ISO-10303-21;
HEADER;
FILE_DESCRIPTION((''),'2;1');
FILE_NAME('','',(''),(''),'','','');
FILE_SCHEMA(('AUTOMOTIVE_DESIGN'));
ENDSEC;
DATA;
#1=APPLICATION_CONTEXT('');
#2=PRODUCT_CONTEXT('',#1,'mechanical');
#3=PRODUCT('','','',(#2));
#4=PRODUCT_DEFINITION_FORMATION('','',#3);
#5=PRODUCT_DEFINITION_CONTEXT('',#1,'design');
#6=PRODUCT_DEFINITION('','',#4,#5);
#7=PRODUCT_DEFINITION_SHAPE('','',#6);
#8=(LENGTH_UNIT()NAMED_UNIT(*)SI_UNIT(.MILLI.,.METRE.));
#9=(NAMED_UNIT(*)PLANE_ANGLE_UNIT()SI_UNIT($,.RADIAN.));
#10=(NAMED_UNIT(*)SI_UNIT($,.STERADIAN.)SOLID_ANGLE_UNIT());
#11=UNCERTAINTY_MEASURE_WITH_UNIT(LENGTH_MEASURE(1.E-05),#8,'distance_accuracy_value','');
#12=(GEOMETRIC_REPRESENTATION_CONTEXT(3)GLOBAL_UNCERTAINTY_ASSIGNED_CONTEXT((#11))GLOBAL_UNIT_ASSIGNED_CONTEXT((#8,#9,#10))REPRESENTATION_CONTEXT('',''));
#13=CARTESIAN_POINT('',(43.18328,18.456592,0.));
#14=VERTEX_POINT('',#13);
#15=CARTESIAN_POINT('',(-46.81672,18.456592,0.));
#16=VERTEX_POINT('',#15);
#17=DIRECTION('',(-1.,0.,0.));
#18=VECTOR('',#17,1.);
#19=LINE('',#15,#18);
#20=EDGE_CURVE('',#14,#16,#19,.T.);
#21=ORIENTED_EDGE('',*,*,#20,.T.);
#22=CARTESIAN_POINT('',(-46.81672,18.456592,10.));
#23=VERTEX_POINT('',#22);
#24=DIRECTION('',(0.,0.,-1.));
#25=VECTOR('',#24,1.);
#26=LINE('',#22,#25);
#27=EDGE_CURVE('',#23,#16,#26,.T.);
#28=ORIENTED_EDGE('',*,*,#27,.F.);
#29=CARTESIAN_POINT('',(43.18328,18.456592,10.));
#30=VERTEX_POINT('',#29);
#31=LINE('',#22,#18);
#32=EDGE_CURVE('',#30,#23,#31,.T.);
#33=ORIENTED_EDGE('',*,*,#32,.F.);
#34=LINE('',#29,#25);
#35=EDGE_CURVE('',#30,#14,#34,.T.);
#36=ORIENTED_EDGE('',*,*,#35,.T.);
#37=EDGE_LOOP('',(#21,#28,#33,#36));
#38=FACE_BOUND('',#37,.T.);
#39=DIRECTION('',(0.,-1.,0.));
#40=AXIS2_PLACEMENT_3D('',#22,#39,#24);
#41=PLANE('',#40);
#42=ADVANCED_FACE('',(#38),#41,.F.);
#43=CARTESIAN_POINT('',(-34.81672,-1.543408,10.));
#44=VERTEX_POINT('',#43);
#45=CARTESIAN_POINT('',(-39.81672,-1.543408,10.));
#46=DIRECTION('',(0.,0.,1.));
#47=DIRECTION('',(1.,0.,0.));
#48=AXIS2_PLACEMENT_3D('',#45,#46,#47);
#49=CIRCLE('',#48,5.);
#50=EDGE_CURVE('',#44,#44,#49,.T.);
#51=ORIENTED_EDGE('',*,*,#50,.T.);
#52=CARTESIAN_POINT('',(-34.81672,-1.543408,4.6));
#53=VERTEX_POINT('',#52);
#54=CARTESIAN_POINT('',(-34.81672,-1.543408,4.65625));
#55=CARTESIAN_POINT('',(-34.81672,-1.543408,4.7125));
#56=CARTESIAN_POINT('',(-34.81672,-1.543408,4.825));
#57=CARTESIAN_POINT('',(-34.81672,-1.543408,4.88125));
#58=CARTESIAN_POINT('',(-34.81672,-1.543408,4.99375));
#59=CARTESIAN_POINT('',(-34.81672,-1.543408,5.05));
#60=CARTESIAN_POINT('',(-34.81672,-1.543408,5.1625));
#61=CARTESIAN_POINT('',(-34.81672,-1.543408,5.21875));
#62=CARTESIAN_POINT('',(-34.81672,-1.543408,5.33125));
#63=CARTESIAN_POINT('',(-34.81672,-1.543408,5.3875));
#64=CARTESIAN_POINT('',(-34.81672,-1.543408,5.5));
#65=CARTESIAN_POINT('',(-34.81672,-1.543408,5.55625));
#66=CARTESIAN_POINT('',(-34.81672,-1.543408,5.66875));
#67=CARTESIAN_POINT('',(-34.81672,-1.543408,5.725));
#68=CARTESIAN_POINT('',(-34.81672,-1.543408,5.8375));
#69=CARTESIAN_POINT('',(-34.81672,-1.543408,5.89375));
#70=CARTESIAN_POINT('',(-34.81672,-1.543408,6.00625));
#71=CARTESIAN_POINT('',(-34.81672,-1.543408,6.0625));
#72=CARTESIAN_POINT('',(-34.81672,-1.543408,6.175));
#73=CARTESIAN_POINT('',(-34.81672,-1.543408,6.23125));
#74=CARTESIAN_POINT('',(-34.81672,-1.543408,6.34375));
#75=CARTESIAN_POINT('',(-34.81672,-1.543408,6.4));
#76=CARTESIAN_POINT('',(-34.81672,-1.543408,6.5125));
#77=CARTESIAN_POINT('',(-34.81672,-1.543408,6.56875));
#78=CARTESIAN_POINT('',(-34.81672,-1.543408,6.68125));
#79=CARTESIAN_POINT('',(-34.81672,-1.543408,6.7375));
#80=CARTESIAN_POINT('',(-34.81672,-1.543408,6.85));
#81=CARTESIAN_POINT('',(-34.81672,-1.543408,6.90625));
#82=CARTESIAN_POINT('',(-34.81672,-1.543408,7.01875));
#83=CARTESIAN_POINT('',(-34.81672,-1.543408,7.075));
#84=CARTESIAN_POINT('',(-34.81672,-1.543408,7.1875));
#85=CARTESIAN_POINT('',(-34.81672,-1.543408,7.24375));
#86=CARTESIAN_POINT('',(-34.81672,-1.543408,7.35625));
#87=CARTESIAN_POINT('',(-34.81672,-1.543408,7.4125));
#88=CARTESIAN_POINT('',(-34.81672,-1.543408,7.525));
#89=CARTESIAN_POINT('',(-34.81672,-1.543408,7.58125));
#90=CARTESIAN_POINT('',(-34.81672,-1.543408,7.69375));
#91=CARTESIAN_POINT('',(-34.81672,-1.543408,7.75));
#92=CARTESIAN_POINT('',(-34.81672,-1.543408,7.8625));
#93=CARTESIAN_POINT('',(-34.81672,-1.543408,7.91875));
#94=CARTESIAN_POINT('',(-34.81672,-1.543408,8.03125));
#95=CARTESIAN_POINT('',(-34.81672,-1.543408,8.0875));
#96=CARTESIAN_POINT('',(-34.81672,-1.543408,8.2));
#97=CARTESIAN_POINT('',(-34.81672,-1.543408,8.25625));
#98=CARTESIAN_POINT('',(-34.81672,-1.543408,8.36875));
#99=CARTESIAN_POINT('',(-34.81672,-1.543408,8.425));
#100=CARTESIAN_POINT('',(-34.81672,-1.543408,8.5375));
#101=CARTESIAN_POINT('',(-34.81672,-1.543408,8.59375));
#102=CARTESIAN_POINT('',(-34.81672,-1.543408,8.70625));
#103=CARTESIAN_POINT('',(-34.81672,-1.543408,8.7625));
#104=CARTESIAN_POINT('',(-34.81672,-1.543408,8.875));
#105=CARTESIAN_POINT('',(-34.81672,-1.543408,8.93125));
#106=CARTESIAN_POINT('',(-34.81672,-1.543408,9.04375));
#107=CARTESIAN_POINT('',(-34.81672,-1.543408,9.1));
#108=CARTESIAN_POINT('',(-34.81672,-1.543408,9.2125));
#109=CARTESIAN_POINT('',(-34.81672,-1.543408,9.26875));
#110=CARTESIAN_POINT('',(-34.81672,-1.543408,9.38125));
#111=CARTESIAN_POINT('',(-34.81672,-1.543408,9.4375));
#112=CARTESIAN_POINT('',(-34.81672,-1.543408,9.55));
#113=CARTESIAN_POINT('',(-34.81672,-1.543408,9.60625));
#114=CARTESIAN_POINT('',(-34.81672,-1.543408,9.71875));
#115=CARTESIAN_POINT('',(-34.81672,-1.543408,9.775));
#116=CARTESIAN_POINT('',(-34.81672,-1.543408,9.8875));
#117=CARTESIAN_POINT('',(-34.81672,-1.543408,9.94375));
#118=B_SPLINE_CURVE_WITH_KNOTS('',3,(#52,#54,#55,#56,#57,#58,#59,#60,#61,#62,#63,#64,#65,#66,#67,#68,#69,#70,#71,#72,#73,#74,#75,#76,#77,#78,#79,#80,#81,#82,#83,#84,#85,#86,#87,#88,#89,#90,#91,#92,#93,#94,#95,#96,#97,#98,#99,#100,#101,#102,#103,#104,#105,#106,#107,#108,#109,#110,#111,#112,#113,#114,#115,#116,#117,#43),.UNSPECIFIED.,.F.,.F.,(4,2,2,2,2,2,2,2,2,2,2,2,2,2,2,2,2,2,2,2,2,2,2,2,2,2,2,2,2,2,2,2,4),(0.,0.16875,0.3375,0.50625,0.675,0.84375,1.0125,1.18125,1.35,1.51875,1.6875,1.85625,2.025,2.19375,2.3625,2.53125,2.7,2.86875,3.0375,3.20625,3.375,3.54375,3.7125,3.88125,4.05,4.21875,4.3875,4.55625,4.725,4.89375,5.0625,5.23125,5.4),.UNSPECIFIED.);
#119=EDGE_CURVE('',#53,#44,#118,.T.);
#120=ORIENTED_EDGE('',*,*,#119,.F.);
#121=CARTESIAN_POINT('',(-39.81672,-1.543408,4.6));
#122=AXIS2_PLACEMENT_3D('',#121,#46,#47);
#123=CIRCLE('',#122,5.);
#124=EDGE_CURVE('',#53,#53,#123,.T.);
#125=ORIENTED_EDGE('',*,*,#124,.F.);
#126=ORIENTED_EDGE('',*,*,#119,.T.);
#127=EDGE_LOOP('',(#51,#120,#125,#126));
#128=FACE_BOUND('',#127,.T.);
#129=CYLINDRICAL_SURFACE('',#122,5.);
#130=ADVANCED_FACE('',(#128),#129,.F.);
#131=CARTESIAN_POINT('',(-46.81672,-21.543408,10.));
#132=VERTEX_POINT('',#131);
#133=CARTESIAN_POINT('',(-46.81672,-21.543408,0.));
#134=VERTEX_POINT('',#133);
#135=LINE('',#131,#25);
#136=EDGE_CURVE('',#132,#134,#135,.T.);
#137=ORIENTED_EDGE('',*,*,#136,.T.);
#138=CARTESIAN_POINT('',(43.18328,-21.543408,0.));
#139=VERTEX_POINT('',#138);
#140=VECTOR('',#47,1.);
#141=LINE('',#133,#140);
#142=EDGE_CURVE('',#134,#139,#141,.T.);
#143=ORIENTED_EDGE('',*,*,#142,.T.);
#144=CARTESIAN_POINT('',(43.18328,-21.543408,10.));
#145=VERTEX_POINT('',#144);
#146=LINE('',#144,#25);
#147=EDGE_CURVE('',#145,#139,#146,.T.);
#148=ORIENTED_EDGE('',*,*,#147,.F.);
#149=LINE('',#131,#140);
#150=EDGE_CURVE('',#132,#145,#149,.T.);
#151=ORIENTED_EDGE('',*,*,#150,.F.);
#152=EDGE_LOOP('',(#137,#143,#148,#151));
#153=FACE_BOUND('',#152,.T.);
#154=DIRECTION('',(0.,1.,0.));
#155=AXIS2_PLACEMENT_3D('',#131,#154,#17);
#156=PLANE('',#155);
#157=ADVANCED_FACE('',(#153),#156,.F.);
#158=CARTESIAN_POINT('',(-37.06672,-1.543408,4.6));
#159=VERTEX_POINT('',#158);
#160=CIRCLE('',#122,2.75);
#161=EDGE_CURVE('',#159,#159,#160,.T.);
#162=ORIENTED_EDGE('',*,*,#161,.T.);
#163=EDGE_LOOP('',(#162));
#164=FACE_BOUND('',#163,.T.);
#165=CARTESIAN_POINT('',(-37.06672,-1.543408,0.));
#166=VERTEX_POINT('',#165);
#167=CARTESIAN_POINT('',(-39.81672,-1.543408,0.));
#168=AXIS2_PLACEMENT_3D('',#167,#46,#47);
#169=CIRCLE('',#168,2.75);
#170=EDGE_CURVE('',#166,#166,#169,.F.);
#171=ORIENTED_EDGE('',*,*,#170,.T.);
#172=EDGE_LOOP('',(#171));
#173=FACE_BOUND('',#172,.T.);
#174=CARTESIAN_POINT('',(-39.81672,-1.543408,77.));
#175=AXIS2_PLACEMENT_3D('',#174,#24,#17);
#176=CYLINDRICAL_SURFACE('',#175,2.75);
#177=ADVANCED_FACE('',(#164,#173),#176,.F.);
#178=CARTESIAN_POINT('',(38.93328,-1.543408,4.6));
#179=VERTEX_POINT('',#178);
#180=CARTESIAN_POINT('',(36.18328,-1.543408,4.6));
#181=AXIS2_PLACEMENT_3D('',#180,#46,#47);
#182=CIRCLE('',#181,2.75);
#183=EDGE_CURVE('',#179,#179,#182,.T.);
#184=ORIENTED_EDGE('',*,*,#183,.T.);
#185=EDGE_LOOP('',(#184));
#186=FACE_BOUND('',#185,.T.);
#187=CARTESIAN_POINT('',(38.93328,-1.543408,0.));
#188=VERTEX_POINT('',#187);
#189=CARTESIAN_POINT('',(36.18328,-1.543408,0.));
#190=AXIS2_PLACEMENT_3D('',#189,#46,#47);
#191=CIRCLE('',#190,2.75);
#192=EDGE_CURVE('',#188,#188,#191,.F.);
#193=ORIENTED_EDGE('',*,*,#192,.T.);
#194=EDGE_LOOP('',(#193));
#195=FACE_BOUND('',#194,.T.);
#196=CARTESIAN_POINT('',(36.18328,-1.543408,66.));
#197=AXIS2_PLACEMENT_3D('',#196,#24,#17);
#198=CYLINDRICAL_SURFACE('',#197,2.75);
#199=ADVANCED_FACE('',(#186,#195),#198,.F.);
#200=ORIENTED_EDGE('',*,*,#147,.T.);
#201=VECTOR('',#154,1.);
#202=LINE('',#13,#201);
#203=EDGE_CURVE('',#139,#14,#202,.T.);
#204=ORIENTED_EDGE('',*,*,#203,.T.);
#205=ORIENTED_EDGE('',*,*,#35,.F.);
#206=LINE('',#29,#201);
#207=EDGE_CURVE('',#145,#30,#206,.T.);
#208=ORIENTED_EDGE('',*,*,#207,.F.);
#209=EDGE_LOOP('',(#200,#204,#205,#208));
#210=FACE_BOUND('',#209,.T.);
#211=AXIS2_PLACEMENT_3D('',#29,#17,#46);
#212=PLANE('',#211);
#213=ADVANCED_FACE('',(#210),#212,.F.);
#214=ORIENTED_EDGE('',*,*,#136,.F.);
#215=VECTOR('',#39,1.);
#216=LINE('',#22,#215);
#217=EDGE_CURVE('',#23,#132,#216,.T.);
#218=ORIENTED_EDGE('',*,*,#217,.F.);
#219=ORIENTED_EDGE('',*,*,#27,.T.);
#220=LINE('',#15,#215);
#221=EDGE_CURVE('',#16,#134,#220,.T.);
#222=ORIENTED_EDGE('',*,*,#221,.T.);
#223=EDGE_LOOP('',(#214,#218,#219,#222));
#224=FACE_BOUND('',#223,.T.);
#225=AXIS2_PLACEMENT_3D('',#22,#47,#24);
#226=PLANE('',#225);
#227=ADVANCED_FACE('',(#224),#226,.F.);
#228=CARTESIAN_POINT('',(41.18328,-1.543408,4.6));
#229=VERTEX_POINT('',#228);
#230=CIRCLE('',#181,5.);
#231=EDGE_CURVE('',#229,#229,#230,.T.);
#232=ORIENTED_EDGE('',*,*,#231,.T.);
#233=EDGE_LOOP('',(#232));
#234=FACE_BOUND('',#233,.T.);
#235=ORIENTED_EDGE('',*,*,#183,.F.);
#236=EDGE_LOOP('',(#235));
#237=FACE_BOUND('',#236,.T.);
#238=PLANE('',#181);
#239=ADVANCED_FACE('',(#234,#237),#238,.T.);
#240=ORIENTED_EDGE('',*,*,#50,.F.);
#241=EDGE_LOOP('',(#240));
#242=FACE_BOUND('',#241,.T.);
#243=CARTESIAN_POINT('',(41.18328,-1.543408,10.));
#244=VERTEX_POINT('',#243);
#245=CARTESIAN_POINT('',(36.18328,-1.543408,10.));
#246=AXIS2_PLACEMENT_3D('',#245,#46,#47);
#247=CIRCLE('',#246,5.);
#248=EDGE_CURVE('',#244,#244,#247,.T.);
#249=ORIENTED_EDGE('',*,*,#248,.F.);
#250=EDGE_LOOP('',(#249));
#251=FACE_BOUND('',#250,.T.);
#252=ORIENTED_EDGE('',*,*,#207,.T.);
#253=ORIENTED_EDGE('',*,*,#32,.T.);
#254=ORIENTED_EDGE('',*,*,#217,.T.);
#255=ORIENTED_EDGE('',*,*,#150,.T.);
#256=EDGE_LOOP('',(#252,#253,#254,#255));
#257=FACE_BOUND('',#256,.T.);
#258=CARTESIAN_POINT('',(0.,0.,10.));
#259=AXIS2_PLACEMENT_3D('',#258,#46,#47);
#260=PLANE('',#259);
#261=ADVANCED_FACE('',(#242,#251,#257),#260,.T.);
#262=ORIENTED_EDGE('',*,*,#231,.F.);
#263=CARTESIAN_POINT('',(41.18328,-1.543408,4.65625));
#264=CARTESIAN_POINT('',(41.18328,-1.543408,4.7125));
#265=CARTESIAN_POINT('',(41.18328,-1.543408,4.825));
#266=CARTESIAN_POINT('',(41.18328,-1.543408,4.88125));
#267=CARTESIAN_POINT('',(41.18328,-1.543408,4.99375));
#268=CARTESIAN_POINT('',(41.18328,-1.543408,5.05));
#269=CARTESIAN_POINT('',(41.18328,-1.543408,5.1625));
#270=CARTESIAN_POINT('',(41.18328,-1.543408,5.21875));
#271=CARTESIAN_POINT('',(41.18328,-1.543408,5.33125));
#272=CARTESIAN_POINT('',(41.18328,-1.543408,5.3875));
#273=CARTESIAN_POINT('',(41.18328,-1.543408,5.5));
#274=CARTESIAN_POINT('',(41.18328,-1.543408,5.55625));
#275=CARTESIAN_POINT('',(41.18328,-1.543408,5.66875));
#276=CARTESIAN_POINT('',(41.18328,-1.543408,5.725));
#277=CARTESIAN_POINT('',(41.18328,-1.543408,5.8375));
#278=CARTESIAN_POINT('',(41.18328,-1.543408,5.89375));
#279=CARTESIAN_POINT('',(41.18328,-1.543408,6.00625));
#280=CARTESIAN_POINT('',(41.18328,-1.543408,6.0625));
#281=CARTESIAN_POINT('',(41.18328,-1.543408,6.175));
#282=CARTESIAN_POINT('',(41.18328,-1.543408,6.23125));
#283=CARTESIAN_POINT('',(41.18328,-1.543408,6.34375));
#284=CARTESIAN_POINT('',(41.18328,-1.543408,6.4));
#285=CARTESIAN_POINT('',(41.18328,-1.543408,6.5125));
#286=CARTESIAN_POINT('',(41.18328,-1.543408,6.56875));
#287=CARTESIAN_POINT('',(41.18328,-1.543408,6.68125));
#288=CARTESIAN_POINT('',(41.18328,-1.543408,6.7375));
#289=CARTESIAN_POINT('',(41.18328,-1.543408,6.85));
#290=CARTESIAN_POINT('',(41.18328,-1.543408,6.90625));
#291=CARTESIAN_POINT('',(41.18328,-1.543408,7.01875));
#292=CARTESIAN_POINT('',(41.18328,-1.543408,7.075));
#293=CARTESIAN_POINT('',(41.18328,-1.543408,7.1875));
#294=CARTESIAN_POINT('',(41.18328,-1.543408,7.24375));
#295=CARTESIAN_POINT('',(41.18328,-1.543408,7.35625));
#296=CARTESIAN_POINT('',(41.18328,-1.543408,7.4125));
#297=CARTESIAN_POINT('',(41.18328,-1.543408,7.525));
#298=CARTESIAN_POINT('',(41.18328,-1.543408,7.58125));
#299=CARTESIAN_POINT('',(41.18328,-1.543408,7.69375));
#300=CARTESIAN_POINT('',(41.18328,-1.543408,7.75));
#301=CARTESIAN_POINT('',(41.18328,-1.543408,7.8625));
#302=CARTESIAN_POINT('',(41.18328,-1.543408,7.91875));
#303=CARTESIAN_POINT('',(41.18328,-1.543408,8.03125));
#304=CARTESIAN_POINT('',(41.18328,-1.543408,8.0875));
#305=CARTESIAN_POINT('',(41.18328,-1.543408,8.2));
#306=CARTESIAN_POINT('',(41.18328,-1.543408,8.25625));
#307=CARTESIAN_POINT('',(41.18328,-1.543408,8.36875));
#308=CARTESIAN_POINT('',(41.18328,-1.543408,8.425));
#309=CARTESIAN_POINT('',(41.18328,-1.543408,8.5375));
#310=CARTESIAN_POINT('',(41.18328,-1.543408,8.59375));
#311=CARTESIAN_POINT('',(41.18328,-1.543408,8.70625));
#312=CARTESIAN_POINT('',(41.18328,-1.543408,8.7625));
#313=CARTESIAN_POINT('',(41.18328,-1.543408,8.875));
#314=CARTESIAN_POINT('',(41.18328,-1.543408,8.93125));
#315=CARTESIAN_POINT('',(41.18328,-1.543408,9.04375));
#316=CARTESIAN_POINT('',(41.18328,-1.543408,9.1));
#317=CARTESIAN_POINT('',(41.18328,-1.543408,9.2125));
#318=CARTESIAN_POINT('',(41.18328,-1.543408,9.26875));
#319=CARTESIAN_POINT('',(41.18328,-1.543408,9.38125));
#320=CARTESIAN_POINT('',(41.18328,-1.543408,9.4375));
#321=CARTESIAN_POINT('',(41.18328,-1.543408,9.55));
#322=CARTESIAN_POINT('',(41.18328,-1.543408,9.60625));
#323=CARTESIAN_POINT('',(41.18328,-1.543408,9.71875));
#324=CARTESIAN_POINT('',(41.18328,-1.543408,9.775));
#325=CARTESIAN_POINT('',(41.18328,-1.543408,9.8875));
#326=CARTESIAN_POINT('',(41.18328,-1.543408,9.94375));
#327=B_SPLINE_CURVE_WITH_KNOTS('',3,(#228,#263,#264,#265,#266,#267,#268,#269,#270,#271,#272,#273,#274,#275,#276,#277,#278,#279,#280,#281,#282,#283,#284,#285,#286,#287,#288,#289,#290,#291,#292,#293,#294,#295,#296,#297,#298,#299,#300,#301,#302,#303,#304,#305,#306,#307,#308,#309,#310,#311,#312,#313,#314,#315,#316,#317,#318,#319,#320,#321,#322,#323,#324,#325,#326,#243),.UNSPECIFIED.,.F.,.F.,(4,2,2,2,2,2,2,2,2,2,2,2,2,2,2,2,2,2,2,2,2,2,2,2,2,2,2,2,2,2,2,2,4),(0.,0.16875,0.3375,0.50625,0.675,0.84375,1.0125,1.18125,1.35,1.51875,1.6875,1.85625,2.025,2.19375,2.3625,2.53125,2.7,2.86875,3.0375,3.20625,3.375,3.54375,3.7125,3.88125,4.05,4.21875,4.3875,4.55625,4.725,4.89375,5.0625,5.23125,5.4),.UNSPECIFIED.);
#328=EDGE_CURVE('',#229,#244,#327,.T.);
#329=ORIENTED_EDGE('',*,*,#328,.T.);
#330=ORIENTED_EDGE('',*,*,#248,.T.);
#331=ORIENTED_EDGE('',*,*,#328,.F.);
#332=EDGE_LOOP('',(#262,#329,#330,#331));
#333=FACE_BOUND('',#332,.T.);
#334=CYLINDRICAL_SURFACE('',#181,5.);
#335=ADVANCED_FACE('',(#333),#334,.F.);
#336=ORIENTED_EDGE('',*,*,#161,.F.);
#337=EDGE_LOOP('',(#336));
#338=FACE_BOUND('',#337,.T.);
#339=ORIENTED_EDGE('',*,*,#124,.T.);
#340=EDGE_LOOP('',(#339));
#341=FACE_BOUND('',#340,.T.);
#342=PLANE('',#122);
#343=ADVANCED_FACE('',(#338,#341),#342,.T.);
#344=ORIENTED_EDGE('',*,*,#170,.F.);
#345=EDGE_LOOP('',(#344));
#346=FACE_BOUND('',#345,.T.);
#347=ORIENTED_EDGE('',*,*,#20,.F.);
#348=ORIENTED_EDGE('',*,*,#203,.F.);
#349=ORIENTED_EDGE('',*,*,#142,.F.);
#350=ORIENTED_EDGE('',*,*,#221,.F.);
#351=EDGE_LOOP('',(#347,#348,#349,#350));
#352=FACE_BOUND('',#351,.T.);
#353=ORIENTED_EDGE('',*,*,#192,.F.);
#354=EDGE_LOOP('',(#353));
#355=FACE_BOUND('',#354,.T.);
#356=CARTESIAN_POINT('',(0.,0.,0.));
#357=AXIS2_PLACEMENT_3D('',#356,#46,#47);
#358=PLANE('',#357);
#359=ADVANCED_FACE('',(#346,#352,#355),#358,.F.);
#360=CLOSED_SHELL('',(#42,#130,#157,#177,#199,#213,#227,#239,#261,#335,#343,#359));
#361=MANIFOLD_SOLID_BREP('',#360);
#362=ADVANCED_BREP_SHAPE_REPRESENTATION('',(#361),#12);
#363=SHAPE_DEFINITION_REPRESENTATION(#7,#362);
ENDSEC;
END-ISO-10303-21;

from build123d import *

# Parameters (mm, degrees)
SKETCH1_W               = 90
SKETCH1_H               = 40
BOSS_EXTRUDE1_DEPTH     = 10
CUT_EXTRUDE1_DEPTH      = 67
CUT_EXTRUDE1_DEPTH_BACK = 33
SKETCH2_R               = 2.75
CUT_EXTRUDE2_DEPTH      = 56
CUT_EXTRUDE2_DEPTH_BACK = 35
SKETCH2_4_R             = 2.75
SKETCH2_5_R             = 5
CUT_EXTRUDE3_DEPTH      = 5.4
SKETCH2_6_R             = 5
CUT_EXTRUDE4_DEPTH      = 5.4


with BuildPart() as part:
    # Sketch1 → Boss-Extrude1 (new body)
    with BuildSketch(Plane.XY):
        with Locations((-1.816720257, -1.54340836)):
            Rectangle(SKETCH1_W, SKETCH1_H)
    extrude(amount=BOSS_EXTRUDE1_DEPTH)

    # Sketch2 → Cut-Extrude1 (cut, two sides: drawn at the far end of the back side and taken through both)
    with BuildSketch(Plane.XY.offset(10).offset(-CUT_EXTRUDE1_DEPTH_BACK)):
        with Locations((-39.816720257, -1.54340836)):
            Circle(SKETCH2_R)
    extrude(amount=CUT_EXTRUDE1_DEPTH + CUT_EXTRUDE1_DEPTH_BACK, mode=Mode.SUBTRACT)

    # Sketch2<4> → Cut-Extrude2 (cut, two sides: drawn at the far end of the back side and taken through both)
    with BuildSketch(Plane.XY.offset(10).offset(-CUT_EXTRUDE2_DEPTH_BACK)):
        with Locations((36.183279743, -1.54340836)):
            Circle(SKETCH2_4_R)
    extrude(amount=CUT_EXTRUDE2_DEPTH + CUT_EXTRUDE2_DEPTH_BACK, mode=Mode.SUBTRACT)

    # Sketch2<5> → Cut-Extrude3 (cut)
    with BuildSketch(Plane.XY.offset(10)):
        with Locations((-39.816720257, -1.54340836)):
            Circle(SKETCH2_5_R)
    extrude(amount=-CUT_EXTRUDE3_DEPTH, mode=Mode.SUBTRACT)

    # Sketch2<6> → Cut-Extrude4 (cut)
    with BuildSketch(Plane.XY.offset(10)):
        with Locations((36.183279743, -1.54340836)):
            Circle(SKETCH2_6_R)
    extrude(amount=-CUT_EXTRUDE4_DEPTH, mode=Mode.SUBTRACT)


solid = part.part
